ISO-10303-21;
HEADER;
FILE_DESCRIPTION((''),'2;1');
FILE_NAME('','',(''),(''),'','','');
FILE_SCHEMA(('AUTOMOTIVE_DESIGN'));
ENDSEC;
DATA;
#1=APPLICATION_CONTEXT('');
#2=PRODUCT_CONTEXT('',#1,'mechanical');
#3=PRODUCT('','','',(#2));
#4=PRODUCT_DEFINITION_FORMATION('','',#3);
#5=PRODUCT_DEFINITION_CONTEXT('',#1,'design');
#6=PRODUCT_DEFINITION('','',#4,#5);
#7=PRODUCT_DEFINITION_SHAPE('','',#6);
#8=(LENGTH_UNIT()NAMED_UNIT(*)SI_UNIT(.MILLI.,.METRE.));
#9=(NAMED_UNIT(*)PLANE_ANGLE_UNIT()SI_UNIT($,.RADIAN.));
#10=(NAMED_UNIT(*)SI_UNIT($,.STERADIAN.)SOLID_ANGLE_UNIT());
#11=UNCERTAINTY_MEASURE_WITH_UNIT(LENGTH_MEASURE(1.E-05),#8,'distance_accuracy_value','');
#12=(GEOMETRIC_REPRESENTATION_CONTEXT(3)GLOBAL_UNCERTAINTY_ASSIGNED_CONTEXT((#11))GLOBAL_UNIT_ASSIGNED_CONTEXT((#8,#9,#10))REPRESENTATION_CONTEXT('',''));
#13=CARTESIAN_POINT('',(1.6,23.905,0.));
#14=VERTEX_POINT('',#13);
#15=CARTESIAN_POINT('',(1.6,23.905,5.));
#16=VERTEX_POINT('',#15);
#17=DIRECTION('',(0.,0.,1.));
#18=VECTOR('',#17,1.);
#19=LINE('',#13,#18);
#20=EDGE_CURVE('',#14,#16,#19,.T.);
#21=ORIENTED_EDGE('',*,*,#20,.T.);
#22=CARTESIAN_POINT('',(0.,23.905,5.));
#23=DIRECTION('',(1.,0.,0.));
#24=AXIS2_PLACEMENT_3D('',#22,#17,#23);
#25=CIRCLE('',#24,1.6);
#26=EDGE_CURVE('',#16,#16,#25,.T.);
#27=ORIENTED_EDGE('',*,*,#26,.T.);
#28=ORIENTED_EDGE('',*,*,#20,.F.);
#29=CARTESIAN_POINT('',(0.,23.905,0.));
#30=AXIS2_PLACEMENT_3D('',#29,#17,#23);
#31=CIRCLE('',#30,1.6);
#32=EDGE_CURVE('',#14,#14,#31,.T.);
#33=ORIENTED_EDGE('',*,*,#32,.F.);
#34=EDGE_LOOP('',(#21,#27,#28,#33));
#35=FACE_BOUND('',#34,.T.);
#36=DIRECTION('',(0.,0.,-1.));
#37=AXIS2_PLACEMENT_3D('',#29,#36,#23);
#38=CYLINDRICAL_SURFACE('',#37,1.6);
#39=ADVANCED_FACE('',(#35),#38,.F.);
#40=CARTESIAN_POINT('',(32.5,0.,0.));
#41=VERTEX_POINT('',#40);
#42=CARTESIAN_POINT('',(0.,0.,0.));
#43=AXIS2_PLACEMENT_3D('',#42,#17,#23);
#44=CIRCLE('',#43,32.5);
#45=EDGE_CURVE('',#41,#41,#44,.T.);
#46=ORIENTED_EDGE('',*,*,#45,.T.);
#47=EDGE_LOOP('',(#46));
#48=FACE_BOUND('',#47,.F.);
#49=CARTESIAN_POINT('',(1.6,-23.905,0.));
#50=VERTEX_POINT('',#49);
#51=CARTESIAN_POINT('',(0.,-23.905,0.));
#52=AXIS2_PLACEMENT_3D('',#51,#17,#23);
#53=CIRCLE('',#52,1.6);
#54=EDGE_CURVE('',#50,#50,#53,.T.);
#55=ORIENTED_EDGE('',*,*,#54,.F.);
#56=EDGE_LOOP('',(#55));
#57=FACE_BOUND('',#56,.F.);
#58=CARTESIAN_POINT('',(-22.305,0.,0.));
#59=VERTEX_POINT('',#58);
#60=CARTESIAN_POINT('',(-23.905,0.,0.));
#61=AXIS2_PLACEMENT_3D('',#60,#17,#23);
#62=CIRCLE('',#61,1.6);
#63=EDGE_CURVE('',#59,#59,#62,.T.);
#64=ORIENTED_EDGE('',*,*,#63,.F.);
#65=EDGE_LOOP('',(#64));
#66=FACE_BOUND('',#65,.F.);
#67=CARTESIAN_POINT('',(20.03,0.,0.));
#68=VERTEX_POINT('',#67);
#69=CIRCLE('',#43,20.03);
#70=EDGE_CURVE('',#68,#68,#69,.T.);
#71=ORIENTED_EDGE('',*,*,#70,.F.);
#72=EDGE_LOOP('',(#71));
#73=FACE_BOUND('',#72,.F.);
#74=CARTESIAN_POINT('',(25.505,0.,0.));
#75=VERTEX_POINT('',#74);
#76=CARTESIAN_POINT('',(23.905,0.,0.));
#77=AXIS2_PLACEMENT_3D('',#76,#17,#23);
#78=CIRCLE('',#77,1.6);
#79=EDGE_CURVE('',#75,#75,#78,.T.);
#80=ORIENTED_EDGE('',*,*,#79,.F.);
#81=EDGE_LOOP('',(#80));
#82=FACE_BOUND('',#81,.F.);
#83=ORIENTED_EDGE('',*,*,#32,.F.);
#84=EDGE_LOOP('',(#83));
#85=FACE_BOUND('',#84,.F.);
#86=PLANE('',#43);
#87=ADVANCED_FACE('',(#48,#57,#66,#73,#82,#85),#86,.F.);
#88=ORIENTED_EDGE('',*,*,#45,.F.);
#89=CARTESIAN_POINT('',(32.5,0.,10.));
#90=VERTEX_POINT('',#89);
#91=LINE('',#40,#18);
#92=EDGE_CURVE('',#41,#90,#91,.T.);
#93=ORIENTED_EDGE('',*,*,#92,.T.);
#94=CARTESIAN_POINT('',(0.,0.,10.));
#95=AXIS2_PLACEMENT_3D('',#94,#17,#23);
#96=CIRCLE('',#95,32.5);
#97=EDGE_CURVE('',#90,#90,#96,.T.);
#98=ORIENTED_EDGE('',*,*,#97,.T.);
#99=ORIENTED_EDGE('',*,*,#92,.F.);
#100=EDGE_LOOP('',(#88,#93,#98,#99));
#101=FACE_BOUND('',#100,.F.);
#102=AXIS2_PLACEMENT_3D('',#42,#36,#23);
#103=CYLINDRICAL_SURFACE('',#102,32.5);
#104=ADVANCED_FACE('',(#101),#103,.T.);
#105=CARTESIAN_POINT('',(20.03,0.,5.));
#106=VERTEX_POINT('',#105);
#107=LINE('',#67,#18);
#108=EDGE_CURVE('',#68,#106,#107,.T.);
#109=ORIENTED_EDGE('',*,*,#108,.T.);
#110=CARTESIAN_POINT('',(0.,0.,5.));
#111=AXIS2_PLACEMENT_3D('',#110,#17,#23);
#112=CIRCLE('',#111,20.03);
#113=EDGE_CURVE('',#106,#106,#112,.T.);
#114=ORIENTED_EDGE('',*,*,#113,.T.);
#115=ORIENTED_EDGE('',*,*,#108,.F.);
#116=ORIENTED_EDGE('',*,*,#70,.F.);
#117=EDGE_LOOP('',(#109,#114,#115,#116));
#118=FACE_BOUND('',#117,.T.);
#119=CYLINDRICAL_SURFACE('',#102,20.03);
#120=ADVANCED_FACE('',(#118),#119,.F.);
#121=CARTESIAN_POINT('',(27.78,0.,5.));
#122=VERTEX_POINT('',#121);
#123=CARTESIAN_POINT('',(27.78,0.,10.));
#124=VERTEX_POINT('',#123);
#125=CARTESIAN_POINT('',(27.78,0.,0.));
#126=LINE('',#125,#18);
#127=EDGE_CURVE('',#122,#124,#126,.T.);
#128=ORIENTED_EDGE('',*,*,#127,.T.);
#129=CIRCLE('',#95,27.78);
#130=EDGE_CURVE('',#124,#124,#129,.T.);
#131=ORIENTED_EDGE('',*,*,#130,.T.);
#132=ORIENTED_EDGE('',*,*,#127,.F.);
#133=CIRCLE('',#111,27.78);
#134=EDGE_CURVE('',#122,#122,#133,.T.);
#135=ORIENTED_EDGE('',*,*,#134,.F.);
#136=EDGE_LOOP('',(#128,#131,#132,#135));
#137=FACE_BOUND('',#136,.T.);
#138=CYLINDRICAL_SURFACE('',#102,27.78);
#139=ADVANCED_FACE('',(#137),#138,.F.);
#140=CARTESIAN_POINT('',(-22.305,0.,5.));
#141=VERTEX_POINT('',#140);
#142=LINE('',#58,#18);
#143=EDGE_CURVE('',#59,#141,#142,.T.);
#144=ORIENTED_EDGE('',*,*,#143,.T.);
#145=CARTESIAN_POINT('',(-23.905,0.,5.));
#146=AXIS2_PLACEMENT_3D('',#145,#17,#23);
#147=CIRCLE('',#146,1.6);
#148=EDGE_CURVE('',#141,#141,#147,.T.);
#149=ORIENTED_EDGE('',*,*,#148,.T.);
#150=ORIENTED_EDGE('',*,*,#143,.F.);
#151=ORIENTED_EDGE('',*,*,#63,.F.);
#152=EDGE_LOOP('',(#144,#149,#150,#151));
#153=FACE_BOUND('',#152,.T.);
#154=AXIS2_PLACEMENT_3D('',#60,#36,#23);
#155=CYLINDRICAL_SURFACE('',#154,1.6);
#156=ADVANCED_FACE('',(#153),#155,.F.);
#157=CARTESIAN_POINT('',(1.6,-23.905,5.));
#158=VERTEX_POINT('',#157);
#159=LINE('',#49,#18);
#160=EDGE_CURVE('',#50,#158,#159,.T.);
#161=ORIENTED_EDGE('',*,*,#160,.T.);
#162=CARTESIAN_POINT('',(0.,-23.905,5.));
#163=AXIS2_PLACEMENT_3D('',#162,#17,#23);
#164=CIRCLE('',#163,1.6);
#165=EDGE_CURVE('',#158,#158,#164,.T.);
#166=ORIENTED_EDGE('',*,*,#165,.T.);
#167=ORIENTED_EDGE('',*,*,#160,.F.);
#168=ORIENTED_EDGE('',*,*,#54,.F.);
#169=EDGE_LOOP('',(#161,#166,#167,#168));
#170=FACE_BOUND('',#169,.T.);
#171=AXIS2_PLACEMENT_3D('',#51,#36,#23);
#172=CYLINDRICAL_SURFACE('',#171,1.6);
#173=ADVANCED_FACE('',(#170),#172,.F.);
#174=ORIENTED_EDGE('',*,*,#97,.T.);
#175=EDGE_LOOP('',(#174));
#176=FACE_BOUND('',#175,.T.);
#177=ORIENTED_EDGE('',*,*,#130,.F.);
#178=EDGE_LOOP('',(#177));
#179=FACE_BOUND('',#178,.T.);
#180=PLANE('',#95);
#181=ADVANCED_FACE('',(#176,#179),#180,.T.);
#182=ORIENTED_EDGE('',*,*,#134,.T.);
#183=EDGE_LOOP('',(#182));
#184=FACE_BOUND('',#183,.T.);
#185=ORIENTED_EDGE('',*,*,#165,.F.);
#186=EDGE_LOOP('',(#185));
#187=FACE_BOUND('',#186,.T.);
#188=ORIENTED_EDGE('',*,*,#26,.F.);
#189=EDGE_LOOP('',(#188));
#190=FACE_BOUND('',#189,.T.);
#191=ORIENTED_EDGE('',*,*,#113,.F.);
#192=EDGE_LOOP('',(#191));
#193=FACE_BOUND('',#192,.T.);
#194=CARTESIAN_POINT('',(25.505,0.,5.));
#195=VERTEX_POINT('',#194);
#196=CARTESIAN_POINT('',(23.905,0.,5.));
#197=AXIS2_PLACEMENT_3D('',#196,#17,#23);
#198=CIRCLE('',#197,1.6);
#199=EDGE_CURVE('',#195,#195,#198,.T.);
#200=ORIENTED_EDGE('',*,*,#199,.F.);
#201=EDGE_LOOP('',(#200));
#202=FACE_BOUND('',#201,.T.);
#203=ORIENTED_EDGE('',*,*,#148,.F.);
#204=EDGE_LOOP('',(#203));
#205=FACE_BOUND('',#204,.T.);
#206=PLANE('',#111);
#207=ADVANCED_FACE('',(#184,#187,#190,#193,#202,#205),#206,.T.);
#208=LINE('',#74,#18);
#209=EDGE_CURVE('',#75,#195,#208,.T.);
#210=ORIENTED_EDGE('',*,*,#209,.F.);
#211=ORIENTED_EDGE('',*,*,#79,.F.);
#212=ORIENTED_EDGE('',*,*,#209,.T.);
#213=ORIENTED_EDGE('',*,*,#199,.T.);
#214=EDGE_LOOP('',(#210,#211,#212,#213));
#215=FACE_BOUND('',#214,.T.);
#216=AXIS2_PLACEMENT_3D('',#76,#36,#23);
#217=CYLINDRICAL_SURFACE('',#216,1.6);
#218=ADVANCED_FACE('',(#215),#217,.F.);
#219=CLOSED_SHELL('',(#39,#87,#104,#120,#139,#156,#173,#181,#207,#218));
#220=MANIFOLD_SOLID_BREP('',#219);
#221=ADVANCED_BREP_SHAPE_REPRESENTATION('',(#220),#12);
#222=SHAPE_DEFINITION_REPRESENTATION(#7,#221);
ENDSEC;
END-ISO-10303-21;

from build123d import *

# Parameters (mm, degrees)
F0_R     = 32.5
F0_R_2   = 27.78
F1_DEPTH = 10
F0_R_3   = 1.6
F0_R_4   = 20.03
F2_DEPTH = 5


with BuildPart() as f1:
    # F0 (on Top) → F1 (new body)
    with BuildSketch(Plane.XY):
        Circle(F0_R)
        Circle(F0_R_2, mode=Mode.SUBTRACT)
    extrude(amount=F1_DEPTH)

    # F0 (on Top) → F2 (join)
    with BuildSketch(Plane.XY):
        Circle(F0_R_2)
        with Locations((0, -23.905)):
            Circle(F0_R_3, mode=Mode.SUBTRACT)
        with Locations((-23.905, 0)):
            Circle(F0_R_3, mode=Mode.SUBTRACT)
        Circle(F0_R_4, mode=Mode.SUBTRACT)
        with Locations((23.905, 0)):
            Circle(F0_R_3, mode=Mode.SUBTRACT)
        with Locations((0, 23.905)):
            Circle(F0_R_3, mode=Mode.SUBTRACT)
    extrude(amount=F2_DEPTH)


solid = f1.part
